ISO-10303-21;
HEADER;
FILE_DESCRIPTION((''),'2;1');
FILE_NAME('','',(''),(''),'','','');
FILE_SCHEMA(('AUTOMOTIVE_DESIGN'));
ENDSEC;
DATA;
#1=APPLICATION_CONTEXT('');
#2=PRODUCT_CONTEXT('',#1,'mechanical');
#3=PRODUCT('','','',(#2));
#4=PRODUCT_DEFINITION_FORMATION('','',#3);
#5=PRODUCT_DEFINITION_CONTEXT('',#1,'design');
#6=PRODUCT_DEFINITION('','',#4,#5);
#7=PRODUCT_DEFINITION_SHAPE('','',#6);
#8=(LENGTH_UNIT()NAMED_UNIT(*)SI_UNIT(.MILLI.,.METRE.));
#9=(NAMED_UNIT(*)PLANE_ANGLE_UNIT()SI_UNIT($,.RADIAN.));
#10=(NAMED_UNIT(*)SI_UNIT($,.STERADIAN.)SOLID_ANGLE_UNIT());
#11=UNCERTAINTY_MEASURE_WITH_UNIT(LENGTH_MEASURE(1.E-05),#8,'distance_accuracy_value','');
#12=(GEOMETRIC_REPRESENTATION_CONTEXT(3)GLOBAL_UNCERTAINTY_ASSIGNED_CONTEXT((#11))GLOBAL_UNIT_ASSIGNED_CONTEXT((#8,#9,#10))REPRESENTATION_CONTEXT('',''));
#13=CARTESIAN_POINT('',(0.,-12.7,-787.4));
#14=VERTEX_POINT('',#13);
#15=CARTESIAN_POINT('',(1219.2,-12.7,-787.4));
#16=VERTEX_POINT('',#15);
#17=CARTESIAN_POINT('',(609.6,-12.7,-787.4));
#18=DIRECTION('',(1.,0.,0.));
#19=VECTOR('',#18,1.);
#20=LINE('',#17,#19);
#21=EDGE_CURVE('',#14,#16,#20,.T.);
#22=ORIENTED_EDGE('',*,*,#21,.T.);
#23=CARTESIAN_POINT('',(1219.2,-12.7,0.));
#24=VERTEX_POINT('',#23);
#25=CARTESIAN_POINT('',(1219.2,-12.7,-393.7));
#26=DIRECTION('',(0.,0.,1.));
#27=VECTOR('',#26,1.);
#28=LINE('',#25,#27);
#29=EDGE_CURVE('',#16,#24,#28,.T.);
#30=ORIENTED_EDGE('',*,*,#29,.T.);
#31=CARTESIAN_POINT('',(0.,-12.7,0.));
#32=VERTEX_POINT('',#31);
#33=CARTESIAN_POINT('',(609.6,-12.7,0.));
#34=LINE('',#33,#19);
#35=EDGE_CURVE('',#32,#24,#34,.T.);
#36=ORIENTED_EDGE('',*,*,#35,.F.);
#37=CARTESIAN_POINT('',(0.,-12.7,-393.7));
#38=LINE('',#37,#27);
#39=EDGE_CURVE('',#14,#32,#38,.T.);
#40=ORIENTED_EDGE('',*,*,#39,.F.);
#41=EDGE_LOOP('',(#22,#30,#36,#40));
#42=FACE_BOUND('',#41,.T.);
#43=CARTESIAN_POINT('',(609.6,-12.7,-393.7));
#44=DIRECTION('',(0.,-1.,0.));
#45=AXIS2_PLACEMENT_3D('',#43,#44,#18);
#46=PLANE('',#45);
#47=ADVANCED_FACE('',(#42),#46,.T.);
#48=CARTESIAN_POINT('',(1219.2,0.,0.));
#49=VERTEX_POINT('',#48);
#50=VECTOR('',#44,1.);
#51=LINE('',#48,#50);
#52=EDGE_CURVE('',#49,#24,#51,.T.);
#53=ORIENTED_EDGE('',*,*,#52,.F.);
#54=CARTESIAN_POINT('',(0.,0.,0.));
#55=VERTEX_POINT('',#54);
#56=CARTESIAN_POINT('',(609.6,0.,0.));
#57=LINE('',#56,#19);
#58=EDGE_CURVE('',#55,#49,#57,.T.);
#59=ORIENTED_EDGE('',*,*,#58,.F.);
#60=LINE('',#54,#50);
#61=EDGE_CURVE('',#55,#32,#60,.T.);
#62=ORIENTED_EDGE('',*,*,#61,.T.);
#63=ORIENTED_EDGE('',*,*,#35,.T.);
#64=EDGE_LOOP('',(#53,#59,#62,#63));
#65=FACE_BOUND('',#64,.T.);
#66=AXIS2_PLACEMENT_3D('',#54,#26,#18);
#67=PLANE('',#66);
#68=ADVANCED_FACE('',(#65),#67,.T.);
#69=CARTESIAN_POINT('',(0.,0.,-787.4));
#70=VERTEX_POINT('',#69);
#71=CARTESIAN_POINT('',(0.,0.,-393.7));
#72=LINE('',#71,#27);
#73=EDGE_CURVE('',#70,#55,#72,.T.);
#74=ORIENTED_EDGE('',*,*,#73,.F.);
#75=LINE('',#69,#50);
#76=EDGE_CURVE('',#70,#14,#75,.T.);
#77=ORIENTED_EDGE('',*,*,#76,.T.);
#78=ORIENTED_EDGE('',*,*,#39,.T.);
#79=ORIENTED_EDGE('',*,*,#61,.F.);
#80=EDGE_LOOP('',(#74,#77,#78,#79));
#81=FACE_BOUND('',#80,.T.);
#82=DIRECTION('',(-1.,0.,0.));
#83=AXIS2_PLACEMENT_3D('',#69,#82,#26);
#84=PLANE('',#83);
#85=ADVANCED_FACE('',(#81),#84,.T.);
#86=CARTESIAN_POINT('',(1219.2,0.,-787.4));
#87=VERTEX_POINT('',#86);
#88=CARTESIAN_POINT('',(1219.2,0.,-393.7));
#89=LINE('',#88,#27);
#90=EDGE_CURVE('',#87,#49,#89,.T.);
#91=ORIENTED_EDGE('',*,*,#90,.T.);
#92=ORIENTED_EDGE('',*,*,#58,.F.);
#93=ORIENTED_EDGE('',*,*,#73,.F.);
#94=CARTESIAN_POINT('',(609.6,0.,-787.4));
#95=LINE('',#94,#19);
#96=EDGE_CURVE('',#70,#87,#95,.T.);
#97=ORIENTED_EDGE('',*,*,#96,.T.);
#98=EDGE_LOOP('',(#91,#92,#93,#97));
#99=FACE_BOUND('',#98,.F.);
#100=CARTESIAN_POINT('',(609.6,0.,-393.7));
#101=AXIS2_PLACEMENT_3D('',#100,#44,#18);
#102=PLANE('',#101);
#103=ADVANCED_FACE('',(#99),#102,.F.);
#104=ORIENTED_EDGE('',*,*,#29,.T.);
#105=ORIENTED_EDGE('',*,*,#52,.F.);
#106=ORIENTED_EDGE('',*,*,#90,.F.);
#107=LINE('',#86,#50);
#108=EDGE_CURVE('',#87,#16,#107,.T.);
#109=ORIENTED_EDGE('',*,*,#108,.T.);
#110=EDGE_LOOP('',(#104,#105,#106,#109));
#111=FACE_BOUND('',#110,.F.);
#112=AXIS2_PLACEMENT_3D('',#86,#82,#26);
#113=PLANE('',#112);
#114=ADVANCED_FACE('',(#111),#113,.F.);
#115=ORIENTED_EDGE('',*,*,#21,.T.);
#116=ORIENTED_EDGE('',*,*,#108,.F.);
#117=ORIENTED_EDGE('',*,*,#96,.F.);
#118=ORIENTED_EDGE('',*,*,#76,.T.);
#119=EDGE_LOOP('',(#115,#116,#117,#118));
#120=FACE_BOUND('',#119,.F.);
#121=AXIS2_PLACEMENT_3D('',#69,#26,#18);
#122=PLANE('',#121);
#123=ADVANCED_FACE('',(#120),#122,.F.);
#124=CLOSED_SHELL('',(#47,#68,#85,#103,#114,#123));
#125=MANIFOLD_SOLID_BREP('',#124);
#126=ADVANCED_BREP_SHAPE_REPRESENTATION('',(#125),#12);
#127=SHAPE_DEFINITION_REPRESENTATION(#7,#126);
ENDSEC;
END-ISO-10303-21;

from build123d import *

# Parameters (mm, degrees)
F0_W     = 1219.2
F0_H     = 787.4
F1_DEPTH = 12.7


with BuildPart() as f1:
    # F0 (on Front) → F1 (new body)
    with BuildSketch(Plane.XZ):
        with Locations((609.6, -393.7)):
            Rectangle(F0_W, F0_H)
    extrude(amount=F1_DEPTH)


with BuildPart() as f3_1:
    # F3: copy of F1
    add(f1.part)


solid = f1.part
